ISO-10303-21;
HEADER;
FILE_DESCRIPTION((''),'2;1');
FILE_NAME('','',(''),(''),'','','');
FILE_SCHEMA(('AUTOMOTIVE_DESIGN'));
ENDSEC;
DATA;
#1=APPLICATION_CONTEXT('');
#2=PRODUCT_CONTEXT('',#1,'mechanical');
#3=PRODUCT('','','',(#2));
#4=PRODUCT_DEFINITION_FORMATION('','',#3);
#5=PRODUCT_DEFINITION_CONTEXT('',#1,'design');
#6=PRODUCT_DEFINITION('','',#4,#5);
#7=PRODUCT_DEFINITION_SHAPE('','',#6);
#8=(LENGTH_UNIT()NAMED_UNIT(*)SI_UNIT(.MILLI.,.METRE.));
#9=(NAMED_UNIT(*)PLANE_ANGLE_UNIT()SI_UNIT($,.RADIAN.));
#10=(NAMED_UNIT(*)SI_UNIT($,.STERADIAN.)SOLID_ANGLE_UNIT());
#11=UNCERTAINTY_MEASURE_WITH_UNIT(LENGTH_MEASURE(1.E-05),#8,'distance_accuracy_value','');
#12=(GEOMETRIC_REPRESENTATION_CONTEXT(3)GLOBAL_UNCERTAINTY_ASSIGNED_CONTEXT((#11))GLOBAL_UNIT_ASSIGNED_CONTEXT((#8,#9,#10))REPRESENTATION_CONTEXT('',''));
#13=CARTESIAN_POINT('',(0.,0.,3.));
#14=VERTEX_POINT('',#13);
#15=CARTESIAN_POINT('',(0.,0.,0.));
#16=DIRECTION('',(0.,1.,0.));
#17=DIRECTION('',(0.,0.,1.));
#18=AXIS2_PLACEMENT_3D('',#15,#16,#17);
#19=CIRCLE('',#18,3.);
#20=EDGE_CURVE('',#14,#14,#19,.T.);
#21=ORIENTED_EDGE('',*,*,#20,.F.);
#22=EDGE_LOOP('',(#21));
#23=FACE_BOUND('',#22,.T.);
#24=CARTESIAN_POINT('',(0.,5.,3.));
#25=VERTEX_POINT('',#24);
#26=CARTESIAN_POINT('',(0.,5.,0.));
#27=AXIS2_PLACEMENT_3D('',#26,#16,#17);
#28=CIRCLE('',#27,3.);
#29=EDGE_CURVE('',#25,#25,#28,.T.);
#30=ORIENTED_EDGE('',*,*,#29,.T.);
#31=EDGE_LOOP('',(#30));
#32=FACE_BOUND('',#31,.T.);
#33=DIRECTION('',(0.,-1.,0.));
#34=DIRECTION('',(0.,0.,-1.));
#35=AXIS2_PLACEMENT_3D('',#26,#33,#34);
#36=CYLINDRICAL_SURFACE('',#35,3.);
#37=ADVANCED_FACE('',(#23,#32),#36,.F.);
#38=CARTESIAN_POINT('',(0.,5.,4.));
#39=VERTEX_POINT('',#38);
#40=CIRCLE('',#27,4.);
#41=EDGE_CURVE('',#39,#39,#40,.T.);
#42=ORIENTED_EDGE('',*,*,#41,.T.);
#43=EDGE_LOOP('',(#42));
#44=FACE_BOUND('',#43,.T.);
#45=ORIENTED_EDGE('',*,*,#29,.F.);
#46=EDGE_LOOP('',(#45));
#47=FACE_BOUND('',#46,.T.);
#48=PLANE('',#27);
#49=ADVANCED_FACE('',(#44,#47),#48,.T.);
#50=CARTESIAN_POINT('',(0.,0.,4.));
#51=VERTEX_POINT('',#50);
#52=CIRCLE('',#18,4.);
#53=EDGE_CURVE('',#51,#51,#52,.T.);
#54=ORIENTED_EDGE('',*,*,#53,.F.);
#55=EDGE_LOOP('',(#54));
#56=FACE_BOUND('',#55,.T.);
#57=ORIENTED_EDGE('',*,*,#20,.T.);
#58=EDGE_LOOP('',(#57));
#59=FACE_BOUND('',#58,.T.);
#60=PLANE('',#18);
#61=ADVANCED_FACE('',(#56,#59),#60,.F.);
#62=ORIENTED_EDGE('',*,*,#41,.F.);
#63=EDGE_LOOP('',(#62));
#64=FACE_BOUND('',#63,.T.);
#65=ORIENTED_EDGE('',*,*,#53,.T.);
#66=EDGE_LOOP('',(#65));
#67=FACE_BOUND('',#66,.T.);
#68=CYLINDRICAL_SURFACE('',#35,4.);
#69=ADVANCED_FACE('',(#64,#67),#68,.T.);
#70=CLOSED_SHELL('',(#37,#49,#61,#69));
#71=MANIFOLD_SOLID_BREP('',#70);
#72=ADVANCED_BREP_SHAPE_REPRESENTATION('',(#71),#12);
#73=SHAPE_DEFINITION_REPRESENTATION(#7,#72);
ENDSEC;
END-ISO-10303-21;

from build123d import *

# Parameters (mm, degrees)
SKETCH1_R           = 4
SKETCH1_R_2         = 3
BOSS_EXTRUDE1_DEPTH = 5


with BuildPart() as part:
    # Sketch1 → Boss-Extrude1 (new body)
    with BuildSketch(Plane(origin=(0, 0, 0), x_dir=(1, 0, 0), z_dir=(0, 1, 0))):
        Circle(SKETCH1_R)
        Circle(SKETCH1_R_2, mode=Mode.SUBTRACT)
    extrude(amount=BOSS_EXTRUDE1_DEPTH)


solid = part.part
